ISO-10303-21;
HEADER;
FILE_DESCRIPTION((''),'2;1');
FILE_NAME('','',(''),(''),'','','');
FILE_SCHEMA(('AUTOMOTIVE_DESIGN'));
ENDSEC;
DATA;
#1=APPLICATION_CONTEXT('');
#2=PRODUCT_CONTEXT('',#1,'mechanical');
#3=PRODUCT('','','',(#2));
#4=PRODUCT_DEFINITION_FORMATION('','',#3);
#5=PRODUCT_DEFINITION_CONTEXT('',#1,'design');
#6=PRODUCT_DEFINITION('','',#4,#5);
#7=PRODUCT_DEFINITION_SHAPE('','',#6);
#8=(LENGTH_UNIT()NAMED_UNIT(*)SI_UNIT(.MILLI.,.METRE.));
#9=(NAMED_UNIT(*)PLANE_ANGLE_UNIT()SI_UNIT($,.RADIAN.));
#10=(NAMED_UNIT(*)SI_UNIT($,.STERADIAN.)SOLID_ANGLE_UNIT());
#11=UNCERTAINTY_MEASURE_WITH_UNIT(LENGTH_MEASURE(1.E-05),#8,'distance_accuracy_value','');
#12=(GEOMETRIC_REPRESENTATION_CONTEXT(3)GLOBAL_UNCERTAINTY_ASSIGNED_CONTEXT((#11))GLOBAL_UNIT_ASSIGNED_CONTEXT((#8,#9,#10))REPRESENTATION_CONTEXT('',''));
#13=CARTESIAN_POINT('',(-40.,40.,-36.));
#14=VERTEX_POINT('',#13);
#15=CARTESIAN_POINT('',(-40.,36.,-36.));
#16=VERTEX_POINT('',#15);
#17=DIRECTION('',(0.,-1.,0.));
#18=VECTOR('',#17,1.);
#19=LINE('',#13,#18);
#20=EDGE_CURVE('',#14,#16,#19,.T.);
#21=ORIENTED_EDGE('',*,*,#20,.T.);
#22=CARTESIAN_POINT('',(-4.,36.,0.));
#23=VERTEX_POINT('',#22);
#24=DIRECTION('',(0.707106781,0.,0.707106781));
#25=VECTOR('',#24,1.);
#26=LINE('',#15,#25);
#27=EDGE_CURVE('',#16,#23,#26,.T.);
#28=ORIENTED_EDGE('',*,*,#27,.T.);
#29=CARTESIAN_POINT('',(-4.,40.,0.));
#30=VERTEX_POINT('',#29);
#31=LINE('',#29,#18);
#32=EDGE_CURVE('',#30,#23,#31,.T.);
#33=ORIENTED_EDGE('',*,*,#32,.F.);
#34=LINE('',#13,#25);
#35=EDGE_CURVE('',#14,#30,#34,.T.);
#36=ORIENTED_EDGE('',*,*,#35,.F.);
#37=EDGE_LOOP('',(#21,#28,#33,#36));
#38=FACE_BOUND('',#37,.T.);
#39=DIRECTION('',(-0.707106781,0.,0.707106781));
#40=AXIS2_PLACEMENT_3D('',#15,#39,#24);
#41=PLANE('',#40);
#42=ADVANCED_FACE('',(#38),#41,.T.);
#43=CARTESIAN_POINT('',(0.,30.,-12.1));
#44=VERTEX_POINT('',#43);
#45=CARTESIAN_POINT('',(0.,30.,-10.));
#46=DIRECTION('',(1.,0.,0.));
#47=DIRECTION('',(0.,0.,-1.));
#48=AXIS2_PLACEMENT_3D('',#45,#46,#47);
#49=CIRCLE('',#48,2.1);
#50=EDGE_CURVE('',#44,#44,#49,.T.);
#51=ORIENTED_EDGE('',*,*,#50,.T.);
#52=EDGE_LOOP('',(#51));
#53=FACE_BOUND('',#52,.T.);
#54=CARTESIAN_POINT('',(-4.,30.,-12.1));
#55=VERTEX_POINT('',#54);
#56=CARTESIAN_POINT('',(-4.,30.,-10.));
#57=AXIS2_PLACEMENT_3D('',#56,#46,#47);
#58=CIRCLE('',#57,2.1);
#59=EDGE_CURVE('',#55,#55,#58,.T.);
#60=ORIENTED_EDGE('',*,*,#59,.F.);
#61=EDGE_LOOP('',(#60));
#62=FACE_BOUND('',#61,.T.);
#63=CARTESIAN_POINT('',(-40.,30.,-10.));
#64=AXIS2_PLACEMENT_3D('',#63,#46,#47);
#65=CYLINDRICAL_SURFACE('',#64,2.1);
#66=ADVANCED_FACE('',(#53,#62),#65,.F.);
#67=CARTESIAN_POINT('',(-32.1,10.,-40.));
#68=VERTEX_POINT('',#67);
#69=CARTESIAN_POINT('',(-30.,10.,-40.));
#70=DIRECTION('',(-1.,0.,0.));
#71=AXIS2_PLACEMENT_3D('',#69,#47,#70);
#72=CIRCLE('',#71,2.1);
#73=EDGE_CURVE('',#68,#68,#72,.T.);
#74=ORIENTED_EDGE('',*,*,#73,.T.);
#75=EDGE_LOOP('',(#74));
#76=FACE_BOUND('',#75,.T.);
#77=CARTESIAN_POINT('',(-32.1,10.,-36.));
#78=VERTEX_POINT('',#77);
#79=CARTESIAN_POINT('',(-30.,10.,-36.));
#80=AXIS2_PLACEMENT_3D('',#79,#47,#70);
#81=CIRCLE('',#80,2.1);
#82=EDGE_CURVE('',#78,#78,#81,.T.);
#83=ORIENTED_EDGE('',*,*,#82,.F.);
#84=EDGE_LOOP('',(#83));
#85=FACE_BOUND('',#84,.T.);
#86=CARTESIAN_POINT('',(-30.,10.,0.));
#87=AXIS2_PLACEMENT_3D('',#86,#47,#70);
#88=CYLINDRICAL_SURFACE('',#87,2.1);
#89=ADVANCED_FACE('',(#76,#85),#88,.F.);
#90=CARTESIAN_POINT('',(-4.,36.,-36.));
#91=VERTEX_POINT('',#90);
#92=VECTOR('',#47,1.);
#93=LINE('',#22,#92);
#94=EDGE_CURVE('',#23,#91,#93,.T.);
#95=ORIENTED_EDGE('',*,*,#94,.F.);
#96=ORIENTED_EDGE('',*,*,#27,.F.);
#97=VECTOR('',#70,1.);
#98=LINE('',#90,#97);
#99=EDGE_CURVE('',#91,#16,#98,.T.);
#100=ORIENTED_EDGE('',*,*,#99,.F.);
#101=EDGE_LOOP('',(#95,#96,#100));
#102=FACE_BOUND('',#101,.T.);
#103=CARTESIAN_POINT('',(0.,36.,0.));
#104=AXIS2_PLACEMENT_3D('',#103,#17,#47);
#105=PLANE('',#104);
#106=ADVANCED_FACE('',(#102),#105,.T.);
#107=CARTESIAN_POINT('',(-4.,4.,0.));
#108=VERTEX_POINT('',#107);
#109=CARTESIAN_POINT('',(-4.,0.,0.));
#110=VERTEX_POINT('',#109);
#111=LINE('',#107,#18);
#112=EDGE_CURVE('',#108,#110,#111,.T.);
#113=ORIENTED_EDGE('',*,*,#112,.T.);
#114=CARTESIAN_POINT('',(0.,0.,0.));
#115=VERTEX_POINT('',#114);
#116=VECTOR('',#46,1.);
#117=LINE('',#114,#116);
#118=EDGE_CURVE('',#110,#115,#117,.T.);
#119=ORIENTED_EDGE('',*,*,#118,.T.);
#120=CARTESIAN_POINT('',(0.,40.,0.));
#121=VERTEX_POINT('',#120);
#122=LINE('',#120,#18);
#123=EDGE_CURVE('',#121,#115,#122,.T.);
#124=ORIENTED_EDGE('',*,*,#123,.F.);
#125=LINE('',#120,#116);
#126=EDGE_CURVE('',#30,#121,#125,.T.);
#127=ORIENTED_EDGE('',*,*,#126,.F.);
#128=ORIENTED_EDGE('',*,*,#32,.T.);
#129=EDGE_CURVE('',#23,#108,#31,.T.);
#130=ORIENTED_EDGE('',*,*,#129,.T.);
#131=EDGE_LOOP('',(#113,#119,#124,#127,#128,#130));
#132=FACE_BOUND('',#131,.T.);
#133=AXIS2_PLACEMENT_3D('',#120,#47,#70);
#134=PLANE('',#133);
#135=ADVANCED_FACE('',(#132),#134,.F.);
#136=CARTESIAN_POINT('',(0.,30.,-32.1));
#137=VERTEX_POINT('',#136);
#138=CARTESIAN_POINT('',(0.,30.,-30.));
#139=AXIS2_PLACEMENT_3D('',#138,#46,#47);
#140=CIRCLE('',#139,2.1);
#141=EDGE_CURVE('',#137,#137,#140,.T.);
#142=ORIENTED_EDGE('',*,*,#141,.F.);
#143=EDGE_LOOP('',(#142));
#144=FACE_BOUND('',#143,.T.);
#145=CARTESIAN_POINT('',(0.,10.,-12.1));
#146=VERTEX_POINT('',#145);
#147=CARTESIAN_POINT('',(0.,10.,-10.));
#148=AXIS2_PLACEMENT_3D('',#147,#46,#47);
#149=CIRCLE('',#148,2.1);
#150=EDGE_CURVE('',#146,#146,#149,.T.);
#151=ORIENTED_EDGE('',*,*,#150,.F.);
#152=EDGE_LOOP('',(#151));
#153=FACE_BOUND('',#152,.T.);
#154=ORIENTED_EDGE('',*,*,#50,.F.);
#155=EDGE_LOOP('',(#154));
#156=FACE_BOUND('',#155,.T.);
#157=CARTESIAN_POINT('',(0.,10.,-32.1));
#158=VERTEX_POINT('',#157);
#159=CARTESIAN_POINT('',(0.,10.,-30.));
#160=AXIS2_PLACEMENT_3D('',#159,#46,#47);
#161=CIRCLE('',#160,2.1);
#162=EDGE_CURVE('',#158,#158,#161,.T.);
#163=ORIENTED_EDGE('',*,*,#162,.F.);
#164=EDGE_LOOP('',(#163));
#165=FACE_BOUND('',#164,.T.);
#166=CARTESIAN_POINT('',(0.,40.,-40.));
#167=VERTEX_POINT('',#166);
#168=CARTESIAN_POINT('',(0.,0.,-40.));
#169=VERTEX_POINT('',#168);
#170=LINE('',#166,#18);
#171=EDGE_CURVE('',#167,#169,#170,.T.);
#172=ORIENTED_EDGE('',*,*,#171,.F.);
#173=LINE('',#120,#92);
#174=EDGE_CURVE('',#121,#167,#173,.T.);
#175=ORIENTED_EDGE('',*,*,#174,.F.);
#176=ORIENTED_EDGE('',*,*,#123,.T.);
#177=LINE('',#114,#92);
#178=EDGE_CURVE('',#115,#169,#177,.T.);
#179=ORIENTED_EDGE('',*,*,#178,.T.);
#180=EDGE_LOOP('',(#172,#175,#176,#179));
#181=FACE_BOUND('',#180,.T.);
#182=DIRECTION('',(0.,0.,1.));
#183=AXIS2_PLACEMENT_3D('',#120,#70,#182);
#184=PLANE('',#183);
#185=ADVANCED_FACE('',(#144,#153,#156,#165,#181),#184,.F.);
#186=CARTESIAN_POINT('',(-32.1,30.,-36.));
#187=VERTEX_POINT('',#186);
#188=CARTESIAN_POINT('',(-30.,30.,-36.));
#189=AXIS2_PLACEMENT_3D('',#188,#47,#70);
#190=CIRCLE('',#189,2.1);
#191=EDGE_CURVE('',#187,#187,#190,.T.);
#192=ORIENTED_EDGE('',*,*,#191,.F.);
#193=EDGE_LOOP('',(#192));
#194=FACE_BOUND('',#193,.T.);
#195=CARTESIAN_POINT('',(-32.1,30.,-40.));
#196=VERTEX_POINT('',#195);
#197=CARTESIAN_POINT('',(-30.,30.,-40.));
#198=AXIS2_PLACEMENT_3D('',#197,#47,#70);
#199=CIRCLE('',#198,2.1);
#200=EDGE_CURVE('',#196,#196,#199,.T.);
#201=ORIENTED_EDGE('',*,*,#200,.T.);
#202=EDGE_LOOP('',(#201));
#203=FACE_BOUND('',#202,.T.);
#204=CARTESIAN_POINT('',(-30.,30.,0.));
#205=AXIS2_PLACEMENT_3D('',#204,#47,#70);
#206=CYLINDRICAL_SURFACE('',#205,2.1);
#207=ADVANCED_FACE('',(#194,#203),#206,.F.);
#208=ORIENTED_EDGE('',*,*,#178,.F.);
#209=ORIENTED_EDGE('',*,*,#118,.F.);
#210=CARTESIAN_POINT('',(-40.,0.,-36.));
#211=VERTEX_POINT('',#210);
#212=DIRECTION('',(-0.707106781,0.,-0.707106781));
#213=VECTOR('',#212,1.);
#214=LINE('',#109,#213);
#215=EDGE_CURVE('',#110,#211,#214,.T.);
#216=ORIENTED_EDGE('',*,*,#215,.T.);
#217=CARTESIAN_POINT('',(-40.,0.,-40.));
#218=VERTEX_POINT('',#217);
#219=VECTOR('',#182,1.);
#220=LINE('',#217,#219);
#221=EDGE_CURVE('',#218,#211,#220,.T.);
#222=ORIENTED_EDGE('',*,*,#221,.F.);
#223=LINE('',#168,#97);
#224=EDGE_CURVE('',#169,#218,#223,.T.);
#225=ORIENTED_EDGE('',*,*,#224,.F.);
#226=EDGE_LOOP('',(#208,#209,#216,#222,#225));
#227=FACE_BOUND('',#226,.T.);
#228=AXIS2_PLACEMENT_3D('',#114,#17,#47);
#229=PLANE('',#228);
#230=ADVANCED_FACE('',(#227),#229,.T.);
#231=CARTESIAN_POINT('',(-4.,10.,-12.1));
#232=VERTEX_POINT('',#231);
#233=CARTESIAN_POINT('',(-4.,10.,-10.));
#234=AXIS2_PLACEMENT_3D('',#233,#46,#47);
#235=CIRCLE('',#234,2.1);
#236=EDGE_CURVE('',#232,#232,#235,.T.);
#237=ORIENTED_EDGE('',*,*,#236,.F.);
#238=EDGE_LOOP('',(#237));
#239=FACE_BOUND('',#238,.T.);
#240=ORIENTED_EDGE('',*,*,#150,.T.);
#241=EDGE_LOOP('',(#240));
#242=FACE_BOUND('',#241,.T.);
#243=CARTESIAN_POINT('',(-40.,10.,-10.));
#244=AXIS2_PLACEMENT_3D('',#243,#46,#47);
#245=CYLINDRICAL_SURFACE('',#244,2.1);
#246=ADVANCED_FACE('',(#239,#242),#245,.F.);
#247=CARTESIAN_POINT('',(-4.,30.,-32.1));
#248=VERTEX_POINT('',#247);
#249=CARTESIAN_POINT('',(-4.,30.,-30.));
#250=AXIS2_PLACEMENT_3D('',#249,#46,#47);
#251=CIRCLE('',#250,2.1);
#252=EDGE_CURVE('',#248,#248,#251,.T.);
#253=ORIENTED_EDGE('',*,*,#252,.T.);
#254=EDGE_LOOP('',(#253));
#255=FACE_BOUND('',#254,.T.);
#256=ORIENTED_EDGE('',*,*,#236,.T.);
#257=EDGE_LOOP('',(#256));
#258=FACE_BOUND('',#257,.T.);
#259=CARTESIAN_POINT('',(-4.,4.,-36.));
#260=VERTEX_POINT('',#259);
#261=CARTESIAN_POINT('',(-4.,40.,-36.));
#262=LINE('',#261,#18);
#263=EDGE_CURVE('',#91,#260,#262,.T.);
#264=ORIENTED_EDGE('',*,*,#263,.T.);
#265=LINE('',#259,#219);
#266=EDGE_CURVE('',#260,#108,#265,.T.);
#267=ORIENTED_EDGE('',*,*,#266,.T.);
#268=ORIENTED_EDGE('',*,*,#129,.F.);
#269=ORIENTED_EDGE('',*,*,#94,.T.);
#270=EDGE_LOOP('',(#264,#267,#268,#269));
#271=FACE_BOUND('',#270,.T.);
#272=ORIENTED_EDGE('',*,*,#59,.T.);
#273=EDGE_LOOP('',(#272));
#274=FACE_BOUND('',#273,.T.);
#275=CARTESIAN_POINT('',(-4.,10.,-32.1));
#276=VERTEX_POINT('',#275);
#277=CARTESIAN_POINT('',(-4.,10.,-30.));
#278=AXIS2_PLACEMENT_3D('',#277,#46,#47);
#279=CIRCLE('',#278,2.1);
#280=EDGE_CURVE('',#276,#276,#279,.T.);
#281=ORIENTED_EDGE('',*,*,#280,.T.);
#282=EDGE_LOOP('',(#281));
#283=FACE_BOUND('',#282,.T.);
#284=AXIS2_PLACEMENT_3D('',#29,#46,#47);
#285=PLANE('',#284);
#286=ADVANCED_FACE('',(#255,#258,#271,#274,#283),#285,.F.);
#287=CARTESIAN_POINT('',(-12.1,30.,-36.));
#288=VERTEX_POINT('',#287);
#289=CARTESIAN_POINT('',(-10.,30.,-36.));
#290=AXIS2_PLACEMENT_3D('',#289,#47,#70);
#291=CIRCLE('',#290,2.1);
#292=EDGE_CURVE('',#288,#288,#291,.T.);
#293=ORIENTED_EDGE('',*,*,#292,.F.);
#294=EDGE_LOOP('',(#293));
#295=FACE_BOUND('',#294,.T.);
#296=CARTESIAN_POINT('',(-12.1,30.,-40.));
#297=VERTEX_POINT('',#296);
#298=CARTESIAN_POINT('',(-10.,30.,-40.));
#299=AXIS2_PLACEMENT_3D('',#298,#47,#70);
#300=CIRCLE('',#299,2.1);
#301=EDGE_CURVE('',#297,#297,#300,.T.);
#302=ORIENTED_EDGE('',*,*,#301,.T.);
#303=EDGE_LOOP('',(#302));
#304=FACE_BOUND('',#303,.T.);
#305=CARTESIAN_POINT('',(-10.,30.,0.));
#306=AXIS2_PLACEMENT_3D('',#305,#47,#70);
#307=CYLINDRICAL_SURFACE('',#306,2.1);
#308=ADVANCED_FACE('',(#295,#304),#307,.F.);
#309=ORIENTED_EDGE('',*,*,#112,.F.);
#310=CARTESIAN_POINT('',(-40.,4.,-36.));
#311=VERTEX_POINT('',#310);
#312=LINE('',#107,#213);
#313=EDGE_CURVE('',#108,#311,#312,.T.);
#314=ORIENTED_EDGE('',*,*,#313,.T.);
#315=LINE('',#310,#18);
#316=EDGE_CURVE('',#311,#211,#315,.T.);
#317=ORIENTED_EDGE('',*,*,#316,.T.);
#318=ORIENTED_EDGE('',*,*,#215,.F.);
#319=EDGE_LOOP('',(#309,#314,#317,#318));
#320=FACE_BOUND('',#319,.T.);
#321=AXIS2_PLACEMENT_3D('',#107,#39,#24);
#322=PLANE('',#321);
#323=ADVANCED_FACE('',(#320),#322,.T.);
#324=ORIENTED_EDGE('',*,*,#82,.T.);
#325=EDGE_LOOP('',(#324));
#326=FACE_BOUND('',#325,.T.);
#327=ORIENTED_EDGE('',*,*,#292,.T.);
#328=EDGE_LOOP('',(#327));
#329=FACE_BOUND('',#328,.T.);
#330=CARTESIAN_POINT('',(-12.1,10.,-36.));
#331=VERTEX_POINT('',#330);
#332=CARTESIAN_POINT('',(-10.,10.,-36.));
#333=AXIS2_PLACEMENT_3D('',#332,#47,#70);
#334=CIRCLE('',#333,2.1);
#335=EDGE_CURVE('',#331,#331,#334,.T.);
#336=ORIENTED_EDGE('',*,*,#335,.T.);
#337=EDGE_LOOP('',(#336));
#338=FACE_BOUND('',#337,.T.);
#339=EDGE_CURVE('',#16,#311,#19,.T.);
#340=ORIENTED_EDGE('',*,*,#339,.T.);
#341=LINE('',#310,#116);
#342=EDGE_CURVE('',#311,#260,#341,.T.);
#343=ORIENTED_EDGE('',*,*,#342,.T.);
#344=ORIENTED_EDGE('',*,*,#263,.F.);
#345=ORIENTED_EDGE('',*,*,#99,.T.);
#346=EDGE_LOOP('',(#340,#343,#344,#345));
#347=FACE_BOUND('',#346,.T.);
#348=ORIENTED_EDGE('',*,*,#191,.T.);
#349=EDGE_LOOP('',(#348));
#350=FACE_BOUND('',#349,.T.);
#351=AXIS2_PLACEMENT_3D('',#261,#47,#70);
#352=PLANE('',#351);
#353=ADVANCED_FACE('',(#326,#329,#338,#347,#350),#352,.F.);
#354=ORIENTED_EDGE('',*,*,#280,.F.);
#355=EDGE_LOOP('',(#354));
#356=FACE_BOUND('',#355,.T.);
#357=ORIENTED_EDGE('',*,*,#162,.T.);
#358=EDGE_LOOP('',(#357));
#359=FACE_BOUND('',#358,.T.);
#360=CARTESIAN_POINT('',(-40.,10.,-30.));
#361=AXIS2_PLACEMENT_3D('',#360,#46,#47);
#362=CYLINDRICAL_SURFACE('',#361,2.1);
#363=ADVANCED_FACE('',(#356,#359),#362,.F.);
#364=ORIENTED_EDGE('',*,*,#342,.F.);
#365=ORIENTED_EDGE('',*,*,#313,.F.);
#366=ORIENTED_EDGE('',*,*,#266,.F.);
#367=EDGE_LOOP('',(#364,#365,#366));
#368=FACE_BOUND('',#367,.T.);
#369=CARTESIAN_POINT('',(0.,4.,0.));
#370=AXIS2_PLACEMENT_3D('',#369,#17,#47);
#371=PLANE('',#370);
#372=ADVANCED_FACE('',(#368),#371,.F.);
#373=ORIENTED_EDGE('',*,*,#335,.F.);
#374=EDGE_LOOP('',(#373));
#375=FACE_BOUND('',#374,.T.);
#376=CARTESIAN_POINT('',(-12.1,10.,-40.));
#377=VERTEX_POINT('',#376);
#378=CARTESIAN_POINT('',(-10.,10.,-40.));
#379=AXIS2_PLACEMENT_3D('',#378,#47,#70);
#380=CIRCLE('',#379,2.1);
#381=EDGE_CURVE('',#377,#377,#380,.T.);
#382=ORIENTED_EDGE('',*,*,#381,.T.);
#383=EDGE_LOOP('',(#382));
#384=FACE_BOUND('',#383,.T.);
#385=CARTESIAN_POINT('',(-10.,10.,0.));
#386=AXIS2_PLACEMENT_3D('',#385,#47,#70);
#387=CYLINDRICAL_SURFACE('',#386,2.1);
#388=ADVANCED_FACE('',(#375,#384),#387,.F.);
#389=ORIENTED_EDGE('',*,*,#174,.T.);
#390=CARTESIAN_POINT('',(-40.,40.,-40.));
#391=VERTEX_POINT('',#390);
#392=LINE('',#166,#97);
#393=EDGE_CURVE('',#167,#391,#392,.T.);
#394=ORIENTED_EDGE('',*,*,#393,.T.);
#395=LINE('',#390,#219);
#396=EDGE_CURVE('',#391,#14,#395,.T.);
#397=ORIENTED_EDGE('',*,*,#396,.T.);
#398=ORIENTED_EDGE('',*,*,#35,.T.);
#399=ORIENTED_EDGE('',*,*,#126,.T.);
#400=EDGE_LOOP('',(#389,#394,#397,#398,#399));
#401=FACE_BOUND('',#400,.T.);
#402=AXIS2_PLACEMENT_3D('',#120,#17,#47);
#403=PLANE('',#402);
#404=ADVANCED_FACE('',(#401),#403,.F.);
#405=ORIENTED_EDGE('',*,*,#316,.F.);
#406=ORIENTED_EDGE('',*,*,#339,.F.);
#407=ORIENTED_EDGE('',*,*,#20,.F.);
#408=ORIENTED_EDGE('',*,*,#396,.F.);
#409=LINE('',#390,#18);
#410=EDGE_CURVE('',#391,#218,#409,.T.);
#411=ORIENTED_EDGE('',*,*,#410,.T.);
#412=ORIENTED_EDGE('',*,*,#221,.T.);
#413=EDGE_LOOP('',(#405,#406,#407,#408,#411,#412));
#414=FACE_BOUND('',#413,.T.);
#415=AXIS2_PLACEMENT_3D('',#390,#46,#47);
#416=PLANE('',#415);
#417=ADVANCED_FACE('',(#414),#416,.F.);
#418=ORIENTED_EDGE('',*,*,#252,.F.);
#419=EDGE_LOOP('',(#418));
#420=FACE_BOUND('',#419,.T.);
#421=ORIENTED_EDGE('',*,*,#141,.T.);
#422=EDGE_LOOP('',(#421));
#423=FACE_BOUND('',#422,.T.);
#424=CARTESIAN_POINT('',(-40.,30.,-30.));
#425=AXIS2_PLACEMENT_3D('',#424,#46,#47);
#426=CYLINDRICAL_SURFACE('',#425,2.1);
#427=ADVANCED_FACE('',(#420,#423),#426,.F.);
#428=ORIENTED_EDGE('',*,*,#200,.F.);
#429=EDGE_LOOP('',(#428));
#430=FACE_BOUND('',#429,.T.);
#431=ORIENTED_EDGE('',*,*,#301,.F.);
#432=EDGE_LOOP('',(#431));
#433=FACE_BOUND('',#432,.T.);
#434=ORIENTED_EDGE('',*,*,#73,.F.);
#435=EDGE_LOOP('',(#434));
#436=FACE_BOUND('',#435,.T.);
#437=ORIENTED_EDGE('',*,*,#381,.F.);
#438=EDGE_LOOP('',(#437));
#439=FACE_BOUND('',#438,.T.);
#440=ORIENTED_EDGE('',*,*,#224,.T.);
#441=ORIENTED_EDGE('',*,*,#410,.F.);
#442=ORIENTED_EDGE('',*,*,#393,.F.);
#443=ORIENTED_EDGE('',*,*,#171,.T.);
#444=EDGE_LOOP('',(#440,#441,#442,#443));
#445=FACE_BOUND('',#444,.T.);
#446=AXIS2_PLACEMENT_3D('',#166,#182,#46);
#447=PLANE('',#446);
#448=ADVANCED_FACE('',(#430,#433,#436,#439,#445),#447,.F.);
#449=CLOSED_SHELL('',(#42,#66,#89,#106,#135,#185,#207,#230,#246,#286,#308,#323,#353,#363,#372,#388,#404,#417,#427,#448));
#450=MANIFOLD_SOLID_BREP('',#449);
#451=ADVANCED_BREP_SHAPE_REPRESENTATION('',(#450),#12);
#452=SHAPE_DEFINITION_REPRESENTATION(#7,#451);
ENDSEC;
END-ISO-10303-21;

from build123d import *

# Parameters (mm, degrees)
BOSS_EXTRUDE1_DEPTH = 40
SKETCH2_R           = 2.1
CUT_EXTRUDE1_DEPTH  = 40
SKETCH3_R           = 2.1
CUT_EXTRUDE2_DEPTH  = 40
BOSS_EXTRUDE2_DEPTH = 4
BOSS_EXTRUDE3_DEPTH = 4


with BuildPart() as part:
    # Sketch1 → Boss-Extrude1 (new body)
    with BuildSketch(Plane(origin=(0, 0, 0), x_dir=(1, 0, 0), z_dir=(0, 1, 0))):
        Polygon((0, 0), (0, 40), (-40, 40), (-40, 36), (-4, 36), (-4, 0), align=None)
    extrude(amount=BOSS_EXTRUDE1_DEPTH)

    # Sketch2 → Cut-Extrude1 (cut)
    with BuildSketch(Plane(origin=(0, 0, -40), x_dir=(-1, 0, 0), z_dir=(0, 0, -1))):
        with Locations((30, 30)):
            Circle(SKETCH2_R)
        with Locations((30, 10)):
            Circle(SKETCH2_R)
        with Locations((10, 10)):
            Circle(SKETCH2_R)
        with Locations((10, 30)):
            Circle(SKETCH2_R)
    extrude(amount=-CUT_EXTRUDE1_DEPTH, mode=Mode.SUBTRACT)

    # Sketch3 → Cut-Extrude2 (cut)
    with BuildSketch(Plane(origin=(0, 0, 0), x_dir=(0, 0, -1), z_dir=(1, 0, 0))):
        with Locations((10, 30)):
            Circle(SKETCH3_R)
        with Locations((30, 30)):
            Circle(SKETCH3_R)
        with Locations((30, 10)):
            Circle(SKETCH3_R)
        with Locations((10, 10)):
            Circle(SKETCH3_R)
    extrude(amount=-CUT_EXTRUDE2_DEPTH, mode=Mode.SUBTRACT)

    # Sketch4 → Boss-Extrude2 (add)
    with BuildSketch(Plane(origin=(0, 40, 0), x_dir=(1, 0, 0), z_dir=(0, 1, 0))):
        Polygon((-40, 36), (-4, 0), (-4, 36), align=None)
    extrude(amount=-BOSS_EXTRUDE2_DEPTH)

    # Sketch5 → Boss-Extrude3 (add)
    with BuildSketch(Plane.XZ):
        Polygon((-4, -36), (-4, 0), (-40, -36), align=None)
    extrude(amount=-BOSS_EXTRUDE3_DEPTH)


solid = part.part
